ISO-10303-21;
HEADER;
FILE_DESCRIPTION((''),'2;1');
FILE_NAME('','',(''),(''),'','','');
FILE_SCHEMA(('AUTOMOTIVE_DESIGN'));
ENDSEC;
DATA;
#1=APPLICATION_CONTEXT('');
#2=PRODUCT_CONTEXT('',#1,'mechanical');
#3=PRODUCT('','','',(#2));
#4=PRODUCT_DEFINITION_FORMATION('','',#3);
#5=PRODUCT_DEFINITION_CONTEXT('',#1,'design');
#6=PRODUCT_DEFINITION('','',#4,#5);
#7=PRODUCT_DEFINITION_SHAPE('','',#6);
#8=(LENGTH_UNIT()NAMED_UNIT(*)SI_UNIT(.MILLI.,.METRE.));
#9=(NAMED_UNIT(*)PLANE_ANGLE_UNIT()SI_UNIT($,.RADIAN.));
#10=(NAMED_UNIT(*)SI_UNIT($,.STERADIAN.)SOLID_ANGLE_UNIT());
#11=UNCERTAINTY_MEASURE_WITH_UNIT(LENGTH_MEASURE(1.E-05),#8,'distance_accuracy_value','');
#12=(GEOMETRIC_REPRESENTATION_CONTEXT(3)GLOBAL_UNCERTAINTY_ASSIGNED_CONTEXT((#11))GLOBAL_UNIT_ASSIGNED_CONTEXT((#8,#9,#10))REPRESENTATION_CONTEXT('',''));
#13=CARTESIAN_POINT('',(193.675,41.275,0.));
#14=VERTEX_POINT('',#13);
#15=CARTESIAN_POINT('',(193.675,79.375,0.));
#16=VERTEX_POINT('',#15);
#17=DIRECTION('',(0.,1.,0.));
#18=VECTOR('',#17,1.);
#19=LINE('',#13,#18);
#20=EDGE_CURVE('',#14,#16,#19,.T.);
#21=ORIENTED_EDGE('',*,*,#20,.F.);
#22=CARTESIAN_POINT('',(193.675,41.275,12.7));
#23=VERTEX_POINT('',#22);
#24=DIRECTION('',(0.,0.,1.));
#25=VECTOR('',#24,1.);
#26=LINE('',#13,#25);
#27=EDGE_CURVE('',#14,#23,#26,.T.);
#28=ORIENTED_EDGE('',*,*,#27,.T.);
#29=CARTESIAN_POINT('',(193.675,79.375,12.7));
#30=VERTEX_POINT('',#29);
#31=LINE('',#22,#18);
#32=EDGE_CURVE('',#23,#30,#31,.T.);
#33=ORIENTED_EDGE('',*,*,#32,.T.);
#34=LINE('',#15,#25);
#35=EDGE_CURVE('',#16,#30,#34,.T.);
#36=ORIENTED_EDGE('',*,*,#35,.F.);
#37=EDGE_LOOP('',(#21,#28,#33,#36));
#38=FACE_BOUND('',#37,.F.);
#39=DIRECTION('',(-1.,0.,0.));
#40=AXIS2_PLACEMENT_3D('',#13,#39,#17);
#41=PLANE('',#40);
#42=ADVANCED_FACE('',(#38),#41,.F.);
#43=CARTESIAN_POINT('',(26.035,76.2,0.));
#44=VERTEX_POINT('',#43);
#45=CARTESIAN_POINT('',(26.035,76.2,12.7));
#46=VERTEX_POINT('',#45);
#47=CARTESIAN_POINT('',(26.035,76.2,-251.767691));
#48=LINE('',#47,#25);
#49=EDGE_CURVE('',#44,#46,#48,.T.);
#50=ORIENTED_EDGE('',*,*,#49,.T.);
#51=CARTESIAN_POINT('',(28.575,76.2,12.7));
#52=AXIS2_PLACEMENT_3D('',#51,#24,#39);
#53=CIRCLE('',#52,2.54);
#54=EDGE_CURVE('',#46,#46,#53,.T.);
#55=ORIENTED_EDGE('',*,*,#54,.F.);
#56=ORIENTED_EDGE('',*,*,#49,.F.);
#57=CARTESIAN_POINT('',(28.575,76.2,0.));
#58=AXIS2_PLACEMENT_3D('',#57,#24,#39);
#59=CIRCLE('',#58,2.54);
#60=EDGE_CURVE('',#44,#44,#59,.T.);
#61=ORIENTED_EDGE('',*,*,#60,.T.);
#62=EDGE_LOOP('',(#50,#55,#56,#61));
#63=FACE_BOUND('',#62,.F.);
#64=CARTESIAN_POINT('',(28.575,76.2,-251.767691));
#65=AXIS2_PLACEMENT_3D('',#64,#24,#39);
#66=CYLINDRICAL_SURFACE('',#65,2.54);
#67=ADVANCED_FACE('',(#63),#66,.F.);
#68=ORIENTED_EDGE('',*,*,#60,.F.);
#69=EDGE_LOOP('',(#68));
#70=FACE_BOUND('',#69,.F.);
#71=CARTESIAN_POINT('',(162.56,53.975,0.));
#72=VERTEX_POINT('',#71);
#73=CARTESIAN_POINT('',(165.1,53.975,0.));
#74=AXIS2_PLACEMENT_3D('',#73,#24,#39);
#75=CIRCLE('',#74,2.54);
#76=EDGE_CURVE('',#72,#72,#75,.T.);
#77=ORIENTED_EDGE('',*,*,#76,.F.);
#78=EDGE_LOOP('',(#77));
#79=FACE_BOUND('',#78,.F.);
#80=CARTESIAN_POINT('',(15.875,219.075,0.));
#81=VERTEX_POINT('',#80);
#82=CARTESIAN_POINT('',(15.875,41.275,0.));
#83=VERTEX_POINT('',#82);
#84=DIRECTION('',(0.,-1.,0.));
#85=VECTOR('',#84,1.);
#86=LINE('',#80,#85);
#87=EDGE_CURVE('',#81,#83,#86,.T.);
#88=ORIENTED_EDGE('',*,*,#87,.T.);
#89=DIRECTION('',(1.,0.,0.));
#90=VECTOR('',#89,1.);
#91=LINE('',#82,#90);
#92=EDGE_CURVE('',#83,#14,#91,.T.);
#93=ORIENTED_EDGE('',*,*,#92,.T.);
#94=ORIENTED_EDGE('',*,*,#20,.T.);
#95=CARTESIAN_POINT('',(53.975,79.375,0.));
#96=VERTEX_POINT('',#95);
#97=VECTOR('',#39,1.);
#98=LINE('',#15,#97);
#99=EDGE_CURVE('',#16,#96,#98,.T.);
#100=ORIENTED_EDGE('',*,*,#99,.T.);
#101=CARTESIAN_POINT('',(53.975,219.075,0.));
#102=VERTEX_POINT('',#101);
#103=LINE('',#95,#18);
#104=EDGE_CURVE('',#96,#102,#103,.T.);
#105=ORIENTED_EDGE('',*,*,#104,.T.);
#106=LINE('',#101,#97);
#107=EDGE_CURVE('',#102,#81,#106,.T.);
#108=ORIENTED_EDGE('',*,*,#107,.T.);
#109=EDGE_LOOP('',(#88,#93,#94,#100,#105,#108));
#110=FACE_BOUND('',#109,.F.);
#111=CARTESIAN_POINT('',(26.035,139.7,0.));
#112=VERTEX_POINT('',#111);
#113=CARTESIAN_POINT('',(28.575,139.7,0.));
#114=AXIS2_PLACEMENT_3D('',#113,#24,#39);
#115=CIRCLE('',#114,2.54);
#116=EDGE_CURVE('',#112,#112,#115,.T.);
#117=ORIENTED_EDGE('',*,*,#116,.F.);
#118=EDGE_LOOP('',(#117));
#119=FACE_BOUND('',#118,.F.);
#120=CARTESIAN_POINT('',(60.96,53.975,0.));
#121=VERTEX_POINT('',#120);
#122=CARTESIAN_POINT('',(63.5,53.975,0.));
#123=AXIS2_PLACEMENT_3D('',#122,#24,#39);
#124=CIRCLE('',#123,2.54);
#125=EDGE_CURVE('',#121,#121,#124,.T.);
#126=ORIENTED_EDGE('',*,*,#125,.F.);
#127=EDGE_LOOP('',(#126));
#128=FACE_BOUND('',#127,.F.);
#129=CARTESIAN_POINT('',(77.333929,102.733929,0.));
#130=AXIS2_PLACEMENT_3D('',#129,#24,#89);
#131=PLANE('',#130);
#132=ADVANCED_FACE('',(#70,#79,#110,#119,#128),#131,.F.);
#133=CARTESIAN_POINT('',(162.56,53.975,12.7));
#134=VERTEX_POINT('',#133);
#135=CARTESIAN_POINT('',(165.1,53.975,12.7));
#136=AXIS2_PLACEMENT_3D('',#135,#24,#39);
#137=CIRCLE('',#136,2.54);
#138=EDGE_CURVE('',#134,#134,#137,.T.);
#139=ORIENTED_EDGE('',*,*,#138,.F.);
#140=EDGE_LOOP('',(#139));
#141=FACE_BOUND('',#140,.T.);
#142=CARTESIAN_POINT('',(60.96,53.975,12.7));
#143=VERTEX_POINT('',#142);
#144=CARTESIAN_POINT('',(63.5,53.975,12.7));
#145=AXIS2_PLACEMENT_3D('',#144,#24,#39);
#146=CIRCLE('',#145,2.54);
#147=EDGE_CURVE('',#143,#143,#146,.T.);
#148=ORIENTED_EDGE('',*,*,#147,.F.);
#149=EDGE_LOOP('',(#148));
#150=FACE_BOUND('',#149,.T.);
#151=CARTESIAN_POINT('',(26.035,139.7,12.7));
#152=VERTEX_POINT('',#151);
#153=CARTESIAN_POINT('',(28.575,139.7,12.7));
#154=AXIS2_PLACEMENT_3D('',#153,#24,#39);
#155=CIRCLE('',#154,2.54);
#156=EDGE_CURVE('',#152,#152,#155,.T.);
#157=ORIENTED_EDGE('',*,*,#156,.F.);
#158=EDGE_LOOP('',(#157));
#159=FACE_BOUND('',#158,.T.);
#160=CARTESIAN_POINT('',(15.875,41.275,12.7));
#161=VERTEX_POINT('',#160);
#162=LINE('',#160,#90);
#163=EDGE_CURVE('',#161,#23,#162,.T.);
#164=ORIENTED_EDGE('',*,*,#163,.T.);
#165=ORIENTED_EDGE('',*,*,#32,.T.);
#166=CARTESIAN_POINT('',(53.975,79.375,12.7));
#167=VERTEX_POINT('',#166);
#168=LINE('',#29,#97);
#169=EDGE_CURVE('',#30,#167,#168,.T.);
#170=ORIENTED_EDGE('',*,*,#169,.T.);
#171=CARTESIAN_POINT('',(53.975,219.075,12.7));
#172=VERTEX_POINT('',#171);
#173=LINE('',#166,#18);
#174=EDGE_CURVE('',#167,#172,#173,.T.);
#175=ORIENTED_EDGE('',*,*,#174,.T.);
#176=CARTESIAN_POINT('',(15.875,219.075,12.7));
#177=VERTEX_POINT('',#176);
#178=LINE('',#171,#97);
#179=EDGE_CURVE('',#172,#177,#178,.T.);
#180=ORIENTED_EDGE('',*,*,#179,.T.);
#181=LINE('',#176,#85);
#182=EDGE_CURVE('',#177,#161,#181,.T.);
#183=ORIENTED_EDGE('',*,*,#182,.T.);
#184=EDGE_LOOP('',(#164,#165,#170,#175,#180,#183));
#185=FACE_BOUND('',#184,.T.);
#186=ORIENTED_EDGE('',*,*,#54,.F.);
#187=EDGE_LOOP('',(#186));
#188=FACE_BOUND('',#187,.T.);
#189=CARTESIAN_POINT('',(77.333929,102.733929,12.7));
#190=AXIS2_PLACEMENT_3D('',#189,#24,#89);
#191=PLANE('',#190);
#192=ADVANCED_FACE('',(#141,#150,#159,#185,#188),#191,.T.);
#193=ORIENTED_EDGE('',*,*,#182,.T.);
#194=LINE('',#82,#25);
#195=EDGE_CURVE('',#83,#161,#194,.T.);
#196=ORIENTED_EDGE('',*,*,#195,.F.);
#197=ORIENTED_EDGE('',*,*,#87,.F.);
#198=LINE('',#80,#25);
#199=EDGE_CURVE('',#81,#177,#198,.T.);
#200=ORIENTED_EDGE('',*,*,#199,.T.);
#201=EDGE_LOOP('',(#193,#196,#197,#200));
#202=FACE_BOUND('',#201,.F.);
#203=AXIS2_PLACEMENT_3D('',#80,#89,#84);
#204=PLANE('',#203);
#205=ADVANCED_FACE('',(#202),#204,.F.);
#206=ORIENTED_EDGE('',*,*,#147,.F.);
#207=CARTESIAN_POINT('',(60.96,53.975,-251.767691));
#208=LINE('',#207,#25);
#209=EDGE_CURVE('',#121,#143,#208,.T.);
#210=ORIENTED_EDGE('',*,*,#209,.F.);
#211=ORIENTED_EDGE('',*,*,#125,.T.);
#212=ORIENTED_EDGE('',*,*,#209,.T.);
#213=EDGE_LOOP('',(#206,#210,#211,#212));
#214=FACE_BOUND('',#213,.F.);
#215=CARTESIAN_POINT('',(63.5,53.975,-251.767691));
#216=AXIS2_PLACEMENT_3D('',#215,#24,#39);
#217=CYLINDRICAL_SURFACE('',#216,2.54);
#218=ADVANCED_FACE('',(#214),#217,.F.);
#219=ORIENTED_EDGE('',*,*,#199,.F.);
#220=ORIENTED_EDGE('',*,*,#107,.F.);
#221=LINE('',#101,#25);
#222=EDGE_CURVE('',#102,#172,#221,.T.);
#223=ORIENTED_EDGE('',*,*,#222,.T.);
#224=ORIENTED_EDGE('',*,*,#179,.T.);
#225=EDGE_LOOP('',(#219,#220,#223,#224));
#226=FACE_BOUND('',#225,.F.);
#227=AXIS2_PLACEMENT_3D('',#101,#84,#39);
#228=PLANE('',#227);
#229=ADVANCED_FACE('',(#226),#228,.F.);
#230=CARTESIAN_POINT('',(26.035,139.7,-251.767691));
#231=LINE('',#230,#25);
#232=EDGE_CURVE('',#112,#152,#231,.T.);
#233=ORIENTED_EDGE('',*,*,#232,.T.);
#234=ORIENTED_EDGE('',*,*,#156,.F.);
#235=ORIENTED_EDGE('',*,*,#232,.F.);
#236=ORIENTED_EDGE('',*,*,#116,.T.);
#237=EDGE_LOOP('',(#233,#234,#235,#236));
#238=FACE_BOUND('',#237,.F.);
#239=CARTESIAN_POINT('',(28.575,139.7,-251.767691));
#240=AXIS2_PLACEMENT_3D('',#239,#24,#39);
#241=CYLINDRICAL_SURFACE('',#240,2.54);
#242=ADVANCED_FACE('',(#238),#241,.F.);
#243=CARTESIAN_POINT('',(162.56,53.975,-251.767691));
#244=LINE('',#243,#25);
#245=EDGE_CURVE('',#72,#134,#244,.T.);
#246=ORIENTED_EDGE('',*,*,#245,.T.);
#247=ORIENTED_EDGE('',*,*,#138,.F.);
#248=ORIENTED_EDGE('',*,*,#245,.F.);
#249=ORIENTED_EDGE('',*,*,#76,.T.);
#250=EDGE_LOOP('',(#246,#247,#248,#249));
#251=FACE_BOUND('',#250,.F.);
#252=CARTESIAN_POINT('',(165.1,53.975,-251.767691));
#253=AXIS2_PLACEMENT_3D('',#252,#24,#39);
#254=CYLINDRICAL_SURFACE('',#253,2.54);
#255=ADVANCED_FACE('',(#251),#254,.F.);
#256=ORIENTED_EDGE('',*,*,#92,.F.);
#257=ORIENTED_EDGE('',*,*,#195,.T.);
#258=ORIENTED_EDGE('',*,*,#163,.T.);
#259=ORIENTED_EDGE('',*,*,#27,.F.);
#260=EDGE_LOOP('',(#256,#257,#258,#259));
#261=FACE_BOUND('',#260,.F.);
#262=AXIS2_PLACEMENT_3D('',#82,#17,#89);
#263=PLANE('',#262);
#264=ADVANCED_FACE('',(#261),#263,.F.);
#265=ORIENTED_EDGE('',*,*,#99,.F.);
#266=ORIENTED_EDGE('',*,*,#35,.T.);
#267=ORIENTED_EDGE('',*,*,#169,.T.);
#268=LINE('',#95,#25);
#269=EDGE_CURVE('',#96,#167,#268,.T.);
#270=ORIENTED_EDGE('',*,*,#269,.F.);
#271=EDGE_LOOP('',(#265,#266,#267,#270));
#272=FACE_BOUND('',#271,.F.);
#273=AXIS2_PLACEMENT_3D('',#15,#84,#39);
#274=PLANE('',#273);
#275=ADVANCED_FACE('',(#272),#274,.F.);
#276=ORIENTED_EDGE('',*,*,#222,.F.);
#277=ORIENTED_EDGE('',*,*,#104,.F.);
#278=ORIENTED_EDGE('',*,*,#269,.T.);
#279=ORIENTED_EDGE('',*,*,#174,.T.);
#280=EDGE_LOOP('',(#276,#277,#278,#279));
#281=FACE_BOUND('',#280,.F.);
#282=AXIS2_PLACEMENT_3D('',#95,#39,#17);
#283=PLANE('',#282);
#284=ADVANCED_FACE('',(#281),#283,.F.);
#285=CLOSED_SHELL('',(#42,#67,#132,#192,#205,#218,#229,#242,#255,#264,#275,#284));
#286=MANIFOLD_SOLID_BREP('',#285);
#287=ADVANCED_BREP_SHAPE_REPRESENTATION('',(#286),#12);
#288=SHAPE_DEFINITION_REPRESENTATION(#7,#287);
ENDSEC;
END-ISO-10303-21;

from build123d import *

# Parameters (mm, degrees)
F1_DEPTH = 12.7
F2_D     = 5.08


with BuildPart() as f1:
    # F0 (on Top) → F1 (new body)
    with BuildSketch(Plane.XY):
        Polygon((193.675, 79.375), (53.975, 79.375), (53.975, 219.075), (15.875, 219.075), (15.875, 41.275), (193.675, 41.275), align=None)
    extrude(amount=F1_DEPTH)

    # F2 (through all)
    with Locations(Plane(origin=(0, 0, 0), x_dir=(1, 0, 0), z_dir=(0, 0, -1))):
        with Locations((28.575, -139.7), (28.575, -76.2), (63.5, -53.975), (165.1, -53.975)):
            Hole(F2_D / 2)


solid = f1.part
